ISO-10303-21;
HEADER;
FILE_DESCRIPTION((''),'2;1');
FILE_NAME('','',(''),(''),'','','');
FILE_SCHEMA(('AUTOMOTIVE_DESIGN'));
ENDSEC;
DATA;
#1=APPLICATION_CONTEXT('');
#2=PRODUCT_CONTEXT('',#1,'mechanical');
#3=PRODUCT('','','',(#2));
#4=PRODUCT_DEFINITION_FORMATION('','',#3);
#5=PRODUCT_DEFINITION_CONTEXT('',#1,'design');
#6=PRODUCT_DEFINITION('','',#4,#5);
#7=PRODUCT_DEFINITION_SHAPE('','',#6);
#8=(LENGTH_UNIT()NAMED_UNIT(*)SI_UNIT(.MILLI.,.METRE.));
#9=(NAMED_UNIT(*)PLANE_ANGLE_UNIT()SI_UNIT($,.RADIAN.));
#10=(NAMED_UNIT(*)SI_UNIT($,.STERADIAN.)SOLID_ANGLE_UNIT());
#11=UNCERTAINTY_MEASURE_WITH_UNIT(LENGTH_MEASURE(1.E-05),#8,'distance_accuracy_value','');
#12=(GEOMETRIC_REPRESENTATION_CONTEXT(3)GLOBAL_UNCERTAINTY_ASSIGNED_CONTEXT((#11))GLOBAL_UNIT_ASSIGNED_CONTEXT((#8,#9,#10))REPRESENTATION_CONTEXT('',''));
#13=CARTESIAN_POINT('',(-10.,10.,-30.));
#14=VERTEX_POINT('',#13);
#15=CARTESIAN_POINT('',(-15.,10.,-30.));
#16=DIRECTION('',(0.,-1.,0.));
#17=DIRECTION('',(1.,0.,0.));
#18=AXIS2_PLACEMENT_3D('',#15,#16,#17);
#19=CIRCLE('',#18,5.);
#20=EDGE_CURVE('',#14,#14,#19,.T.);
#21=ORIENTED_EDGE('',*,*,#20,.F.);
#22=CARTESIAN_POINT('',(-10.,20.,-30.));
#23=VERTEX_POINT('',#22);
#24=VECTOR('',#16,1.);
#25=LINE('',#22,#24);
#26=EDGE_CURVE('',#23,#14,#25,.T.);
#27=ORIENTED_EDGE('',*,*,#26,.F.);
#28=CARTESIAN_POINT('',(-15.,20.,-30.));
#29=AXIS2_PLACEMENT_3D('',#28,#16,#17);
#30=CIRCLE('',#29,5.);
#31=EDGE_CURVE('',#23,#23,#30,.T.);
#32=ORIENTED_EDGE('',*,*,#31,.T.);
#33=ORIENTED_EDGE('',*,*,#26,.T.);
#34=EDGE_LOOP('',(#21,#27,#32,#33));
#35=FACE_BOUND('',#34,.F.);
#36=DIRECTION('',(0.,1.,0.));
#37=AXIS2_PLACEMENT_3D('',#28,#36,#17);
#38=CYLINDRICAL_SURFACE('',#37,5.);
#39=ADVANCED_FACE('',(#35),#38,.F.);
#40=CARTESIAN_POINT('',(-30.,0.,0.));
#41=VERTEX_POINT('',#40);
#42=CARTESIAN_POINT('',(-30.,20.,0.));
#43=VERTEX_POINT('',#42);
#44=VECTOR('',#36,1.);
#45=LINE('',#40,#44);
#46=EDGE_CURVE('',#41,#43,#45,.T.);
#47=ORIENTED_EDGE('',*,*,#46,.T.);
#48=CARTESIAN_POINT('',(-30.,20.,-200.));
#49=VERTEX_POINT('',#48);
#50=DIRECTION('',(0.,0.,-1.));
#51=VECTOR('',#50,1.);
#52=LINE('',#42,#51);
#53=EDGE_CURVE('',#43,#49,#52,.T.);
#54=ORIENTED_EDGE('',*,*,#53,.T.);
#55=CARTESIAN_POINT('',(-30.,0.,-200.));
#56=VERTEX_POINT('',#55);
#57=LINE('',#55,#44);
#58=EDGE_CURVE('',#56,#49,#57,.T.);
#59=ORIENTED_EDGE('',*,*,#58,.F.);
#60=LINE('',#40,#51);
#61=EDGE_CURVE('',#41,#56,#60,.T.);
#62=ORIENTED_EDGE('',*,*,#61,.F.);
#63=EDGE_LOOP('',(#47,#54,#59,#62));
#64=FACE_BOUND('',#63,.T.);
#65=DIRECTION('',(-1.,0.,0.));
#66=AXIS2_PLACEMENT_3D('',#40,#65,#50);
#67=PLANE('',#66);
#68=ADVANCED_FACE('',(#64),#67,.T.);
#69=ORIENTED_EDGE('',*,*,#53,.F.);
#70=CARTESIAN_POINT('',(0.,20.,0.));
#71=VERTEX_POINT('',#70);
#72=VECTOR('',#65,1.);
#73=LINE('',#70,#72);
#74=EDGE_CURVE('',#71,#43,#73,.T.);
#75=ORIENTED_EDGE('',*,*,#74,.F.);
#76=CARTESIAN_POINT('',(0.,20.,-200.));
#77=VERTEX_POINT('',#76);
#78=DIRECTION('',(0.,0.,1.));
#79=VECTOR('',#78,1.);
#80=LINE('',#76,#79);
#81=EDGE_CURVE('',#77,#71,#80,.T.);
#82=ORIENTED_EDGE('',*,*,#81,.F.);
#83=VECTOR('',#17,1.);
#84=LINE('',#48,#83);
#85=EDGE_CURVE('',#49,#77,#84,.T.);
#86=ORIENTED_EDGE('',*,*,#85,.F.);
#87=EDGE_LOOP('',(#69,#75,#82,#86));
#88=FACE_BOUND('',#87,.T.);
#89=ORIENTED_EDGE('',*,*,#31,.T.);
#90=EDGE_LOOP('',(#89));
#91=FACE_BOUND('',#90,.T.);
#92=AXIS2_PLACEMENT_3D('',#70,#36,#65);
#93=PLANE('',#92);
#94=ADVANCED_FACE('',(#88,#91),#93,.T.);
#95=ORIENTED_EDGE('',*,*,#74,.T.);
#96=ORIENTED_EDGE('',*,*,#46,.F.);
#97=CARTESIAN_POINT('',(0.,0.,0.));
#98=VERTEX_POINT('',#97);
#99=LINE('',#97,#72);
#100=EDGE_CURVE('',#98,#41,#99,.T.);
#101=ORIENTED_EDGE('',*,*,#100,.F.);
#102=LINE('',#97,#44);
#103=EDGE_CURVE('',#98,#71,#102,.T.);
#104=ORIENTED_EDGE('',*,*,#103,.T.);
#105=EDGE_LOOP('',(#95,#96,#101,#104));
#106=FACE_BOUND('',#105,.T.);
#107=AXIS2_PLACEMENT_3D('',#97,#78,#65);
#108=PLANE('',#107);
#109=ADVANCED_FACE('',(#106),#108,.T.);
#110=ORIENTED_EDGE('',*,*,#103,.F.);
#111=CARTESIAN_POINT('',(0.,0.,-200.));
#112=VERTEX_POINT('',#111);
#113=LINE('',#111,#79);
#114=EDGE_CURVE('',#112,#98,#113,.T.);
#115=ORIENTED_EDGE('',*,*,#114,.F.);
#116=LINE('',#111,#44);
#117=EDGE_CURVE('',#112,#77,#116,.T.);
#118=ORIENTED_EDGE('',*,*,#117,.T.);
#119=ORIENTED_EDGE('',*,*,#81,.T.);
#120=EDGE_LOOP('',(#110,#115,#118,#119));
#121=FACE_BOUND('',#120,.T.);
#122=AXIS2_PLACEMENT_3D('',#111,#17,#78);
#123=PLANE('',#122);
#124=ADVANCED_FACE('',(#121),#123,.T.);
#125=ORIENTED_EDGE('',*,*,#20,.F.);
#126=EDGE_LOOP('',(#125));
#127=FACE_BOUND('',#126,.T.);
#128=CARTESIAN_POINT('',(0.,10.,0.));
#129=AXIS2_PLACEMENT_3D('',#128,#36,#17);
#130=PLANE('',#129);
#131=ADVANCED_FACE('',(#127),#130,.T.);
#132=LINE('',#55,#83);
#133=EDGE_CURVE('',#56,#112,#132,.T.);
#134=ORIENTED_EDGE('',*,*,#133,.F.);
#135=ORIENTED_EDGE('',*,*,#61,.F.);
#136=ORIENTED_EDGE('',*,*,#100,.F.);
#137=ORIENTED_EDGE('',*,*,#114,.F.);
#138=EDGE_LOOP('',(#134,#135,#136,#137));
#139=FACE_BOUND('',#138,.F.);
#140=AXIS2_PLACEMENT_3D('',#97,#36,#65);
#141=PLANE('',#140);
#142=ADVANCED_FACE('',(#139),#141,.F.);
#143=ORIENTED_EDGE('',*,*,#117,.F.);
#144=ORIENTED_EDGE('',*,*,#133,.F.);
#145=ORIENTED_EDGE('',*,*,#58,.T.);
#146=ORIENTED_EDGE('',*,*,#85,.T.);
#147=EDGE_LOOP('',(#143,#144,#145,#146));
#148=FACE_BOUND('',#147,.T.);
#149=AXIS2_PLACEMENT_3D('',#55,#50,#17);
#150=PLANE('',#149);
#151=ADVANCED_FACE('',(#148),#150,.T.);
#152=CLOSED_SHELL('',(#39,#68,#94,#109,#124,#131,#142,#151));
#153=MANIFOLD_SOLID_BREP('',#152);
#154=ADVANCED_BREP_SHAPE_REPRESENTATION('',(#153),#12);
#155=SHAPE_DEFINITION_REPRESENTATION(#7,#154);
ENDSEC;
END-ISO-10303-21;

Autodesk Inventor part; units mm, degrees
ref_plane "YZ Plane" through (0, 0, 0) normal (1, 0, 0) x (0, 1, 0)
ref_plane "XZ Plane" through (0, 0, 0) normal (0, 1, 0) x (-1, 0, 0)
ref_plane "XY Plane" through (0, 0, 0) normal (0, 0, 1) x (1, 0, 0)
sketch "Esboço1" plane through (0, 0, 0) normal (0, 1, 0) x (-1, 0, 0)
  line L0 (0, 0) -> (30, 0)
  line L1 (30, 0) -> (30, -200)
  line L2 (30, -200) -> (0, -200)
  line L3 (0, -200) -> (0, 0)
  dimension "d0" = 30
  dimension "d1" = 200
extrude "Extrusão1" add sketch "Esboço1" along normal blind 20
sketch "Esboço2" plane through (0, 20, 0) normal (0, 1, 0) x (1, 0, 0)
  line L0 (-30, 0) -> (0, 0) projected
  line L1 (-15, 0) -> (-15, 30)
  circle A0 centre (-15, 30) radius 5
  dimension "d4" = 30
  dimension "d5" = 10
extrude "Extrusão2" cut sketch "Esboço2" against normal blind 10
properties part number "Superior"
